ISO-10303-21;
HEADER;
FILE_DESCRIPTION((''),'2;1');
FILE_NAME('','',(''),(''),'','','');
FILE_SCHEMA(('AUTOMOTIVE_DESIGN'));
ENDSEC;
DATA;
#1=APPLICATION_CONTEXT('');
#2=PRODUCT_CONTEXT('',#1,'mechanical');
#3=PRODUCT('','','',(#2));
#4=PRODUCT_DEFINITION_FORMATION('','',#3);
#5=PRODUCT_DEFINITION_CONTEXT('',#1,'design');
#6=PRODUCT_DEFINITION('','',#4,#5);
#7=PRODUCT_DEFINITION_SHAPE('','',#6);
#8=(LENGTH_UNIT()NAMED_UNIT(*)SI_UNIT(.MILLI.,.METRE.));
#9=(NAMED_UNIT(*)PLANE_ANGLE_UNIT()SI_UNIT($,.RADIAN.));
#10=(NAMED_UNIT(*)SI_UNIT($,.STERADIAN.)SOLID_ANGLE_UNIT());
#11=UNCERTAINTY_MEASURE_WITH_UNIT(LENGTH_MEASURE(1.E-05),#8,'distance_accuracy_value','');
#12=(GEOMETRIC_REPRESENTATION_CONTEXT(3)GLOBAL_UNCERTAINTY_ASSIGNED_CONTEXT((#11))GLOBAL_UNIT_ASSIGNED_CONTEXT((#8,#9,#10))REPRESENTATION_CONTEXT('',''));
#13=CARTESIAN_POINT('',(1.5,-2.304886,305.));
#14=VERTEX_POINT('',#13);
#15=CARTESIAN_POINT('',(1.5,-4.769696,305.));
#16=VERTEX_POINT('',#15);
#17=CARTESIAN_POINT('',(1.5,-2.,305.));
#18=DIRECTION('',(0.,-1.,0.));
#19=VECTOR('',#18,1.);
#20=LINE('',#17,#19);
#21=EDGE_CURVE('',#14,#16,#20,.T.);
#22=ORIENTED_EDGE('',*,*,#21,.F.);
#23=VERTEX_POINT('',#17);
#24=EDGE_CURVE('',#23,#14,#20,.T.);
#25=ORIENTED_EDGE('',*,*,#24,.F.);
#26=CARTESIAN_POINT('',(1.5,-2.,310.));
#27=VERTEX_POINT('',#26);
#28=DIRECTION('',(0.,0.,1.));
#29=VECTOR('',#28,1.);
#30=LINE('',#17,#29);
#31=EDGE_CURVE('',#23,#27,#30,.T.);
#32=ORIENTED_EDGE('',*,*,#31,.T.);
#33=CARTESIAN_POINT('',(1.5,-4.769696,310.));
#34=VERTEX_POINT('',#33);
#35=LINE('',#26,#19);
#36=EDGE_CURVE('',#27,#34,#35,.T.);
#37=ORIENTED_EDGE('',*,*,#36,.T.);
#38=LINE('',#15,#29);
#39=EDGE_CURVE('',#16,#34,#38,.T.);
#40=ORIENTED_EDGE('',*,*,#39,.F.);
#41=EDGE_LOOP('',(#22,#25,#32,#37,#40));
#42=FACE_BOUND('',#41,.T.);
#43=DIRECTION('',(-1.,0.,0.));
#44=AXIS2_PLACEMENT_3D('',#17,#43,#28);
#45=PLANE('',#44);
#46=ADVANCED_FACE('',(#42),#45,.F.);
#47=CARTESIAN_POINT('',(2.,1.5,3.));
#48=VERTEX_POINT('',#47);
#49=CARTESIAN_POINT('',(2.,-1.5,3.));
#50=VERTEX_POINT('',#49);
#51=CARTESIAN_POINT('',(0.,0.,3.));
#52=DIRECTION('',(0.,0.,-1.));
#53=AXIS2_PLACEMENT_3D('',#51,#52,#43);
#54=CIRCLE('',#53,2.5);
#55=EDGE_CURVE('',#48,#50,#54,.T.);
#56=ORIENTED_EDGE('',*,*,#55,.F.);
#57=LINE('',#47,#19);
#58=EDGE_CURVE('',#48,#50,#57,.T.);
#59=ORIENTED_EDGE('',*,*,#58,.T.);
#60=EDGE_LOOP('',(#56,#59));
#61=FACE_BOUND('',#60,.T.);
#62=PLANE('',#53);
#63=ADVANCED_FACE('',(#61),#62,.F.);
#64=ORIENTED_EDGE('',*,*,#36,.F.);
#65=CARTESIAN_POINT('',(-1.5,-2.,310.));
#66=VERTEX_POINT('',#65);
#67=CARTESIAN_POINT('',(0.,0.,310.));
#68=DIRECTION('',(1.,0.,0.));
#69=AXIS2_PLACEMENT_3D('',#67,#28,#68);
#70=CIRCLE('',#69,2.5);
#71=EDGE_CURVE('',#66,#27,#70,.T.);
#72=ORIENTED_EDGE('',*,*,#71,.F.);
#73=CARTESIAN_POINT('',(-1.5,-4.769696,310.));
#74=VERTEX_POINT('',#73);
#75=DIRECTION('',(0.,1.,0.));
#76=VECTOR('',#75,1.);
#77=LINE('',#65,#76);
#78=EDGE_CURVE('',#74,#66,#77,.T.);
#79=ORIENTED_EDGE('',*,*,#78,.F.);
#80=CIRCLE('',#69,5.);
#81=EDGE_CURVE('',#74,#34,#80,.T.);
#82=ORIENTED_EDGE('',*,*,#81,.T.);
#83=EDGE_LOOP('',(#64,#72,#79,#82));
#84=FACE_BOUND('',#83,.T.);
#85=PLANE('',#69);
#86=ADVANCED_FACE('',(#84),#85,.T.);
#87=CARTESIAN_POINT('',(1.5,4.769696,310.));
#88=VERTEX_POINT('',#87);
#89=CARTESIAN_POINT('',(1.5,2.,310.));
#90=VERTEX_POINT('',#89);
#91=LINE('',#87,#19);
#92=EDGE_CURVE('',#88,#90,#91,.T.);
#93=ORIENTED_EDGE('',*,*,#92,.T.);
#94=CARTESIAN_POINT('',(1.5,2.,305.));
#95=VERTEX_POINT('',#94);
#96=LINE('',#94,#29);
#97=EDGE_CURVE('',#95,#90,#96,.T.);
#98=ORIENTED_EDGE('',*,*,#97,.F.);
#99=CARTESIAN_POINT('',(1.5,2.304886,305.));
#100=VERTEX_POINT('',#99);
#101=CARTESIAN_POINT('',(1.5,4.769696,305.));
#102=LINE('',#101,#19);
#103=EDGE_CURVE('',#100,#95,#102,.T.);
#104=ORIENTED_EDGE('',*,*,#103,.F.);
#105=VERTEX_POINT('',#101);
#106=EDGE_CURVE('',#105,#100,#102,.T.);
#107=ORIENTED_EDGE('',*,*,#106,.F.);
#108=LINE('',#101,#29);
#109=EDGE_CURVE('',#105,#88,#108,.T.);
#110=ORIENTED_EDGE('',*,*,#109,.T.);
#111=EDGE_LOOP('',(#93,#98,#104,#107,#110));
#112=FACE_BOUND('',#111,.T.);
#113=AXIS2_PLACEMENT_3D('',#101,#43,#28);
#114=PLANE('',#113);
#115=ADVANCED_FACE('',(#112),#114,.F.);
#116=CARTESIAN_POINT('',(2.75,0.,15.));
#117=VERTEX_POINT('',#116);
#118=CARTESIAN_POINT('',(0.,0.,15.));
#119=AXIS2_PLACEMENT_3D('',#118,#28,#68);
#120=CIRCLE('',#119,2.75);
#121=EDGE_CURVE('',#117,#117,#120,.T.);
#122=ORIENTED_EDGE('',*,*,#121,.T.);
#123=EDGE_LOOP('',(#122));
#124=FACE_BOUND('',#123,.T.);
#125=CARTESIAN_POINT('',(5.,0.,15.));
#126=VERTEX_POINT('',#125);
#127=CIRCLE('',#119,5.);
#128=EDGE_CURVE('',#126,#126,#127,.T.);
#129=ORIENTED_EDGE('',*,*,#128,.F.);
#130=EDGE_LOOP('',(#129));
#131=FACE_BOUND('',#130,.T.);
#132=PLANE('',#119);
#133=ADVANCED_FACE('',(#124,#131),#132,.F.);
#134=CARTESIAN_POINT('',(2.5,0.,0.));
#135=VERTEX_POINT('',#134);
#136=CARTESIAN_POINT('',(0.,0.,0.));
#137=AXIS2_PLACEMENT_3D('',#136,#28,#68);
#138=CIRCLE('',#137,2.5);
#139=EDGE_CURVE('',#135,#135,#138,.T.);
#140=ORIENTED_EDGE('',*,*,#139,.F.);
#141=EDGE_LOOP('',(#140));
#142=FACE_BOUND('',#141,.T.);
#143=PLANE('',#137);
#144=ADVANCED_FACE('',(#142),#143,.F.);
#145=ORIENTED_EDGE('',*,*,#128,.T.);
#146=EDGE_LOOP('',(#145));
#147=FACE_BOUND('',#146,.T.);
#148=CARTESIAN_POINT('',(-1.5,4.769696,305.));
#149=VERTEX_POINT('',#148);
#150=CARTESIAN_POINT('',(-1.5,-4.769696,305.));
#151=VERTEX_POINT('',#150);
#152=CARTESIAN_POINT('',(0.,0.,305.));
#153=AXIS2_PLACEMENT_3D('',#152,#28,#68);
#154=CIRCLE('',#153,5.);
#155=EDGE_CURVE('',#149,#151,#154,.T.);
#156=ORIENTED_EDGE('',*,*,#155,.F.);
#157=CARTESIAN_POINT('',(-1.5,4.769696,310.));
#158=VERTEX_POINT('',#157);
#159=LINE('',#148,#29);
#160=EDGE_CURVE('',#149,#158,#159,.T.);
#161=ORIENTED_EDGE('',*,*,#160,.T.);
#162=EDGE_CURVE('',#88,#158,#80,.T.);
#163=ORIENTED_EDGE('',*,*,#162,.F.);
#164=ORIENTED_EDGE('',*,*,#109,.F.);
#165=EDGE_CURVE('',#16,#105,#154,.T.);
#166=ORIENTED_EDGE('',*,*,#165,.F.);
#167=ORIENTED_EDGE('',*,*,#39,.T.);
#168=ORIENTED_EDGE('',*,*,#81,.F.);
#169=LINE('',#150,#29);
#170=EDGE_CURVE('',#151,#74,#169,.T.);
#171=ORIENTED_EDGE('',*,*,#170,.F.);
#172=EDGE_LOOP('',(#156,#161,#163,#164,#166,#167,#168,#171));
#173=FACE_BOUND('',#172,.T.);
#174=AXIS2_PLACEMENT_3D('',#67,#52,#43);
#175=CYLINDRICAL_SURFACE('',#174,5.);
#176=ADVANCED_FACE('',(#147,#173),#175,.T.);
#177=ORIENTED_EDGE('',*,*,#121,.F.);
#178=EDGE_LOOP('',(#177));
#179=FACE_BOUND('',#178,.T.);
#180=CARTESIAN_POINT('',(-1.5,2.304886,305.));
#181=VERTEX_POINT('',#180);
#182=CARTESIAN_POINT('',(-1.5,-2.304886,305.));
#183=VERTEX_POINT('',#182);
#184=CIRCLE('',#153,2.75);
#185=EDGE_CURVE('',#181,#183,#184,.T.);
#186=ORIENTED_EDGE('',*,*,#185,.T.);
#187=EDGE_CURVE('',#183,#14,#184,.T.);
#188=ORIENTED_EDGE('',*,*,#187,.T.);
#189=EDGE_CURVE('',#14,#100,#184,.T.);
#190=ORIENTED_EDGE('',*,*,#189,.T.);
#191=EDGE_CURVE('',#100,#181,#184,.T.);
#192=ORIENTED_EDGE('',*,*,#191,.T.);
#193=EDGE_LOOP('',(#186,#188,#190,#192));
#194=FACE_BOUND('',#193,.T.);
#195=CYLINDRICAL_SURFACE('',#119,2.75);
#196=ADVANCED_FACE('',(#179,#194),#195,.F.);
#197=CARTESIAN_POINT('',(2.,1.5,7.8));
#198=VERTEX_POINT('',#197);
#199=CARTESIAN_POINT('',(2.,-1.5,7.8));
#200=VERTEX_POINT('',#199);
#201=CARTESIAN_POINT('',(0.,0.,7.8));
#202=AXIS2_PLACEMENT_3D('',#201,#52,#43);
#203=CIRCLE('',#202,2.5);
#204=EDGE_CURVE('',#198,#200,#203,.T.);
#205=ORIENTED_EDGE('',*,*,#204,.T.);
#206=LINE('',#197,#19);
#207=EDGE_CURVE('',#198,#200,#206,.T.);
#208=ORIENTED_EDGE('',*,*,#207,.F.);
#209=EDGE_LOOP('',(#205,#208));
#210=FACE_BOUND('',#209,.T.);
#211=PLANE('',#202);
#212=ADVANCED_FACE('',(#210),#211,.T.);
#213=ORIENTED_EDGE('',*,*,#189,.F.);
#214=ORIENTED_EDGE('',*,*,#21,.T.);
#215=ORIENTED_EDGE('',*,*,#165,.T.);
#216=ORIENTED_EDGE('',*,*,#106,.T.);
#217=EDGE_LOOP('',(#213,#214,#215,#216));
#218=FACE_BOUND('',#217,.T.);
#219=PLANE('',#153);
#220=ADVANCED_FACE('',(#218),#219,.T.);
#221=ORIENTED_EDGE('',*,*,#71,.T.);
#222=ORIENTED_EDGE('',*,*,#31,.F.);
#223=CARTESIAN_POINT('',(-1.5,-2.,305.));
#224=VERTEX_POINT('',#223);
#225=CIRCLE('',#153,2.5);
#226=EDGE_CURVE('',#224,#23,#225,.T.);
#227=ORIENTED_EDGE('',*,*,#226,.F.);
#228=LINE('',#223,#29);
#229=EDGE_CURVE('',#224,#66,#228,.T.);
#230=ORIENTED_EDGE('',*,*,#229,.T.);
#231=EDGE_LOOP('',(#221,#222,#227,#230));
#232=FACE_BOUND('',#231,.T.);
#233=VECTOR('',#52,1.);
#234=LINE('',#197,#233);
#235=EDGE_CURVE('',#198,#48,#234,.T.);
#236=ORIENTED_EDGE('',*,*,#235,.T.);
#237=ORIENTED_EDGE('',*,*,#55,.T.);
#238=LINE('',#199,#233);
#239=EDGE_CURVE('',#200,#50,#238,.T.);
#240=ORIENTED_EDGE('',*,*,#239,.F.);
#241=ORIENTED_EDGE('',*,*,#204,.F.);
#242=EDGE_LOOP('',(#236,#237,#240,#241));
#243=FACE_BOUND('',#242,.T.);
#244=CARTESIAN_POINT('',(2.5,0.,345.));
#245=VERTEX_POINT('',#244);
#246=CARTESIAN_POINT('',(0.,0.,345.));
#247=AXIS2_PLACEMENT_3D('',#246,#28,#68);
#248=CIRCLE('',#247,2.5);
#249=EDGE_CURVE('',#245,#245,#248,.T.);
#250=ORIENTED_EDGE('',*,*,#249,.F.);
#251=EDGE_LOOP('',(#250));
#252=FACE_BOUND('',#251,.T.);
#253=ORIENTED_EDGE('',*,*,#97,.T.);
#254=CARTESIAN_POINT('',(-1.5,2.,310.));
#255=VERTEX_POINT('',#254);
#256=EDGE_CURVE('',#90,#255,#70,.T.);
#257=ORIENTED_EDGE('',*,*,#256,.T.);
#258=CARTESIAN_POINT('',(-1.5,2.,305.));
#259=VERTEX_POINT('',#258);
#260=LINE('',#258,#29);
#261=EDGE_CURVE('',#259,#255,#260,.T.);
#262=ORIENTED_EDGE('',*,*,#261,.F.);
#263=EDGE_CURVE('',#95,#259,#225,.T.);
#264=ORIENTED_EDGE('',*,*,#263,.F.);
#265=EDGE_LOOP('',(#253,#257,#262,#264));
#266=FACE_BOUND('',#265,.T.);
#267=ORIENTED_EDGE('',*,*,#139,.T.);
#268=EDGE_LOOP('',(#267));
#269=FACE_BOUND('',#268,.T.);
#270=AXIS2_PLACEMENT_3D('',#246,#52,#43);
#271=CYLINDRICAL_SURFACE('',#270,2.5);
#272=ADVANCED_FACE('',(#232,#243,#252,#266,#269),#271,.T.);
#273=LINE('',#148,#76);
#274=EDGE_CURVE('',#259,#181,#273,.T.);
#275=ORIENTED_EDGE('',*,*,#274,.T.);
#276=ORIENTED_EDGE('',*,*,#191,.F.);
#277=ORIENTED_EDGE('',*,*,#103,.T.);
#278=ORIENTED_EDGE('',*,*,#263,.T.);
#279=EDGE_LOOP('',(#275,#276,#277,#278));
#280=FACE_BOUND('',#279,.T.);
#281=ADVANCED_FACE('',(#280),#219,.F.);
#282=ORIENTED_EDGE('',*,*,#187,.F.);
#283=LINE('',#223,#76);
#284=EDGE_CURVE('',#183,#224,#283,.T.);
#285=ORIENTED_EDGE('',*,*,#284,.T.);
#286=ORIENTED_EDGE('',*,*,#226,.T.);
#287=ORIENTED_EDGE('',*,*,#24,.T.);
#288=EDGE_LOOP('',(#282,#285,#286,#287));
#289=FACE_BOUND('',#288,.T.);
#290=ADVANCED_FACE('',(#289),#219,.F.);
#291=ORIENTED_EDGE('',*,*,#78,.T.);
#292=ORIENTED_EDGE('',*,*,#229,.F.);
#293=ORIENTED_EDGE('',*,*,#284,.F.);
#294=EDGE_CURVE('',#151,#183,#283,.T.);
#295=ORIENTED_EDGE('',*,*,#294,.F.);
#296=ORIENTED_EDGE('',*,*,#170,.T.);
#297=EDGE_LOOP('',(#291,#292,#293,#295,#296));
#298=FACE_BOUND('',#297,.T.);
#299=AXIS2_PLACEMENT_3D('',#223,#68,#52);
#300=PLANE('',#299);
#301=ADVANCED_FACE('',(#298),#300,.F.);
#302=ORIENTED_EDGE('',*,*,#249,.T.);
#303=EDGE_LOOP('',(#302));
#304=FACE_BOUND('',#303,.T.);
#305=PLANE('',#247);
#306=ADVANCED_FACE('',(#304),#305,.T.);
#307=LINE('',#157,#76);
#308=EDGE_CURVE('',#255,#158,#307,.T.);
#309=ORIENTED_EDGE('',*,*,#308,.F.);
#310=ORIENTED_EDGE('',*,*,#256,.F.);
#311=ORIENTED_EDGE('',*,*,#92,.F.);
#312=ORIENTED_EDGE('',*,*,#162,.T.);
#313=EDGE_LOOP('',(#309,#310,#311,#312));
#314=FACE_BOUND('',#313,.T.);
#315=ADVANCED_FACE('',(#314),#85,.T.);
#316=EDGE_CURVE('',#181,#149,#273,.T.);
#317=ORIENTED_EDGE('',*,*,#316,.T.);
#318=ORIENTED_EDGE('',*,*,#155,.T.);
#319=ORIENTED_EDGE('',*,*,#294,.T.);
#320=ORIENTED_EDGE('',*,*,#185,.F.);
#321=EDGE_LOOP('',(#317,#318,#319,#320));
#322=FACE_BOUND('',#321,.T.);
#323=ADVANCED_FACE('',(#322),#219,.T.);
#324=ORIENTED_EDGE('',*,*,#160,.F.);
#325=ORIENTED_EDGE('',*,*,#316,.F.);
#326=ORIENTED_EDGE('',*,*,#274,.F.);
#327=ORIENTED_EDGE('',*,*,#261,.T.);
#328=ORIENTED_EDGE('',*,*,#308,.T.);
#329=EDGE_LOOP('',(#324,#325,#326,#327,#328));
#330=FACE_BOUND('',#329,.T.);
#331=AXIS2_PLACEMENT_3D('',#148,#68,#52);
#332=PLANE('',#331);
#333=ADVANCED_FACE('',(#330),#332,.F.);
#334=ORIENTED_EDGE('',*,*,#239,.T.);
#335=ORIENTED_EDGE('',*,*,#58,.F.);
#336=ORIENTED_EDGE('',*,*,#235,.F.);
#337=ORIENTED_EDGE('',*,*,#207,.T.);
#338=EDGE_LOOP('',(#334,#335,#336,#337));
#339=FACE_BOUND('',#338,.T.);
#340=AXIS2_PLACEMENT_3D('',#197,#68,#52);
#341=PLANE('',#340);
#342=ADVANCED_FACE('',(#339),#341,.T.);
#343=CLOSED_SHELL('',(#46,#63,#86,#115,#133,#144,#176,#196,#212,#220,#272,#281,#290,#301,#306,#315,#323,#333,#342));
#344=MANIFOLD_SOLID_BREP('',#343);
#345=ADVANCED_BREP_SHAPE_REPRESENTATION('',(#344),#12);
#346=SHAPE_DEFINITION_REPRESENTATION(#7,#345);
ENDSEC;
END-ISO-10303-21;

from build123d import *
from build123d.topology import SkipClean

# Parameters (mm, degrees)
SKETCH_1_R          = 2.5
EXTRUDE_1_DEPTH     = 345
CUT_EXTRUDE_1_DEPTH = 4.8
SKETCH_3_R          = 5
SKETCH_3_R_2        = 2.75
EXTRUDE_2_DEPTH     = 290
SKETCH_4_R          = 5
EXTRUDE_3_DEPTH     = 5
CUT_EXTRUDE_START   = -5
CUT_EXTRUDE_2_DEPTH = 5


with BuildPart() as part:
    # 草图1 → 凸台-拉伸1 (new body)
    with BuildSketch(Plane.XY):
        Circle(SKETCH_1_R)
    extrude(amount=EXTRUDE_1_DEPTH)

    # 草图2 → 切除-拉伸1 (cut)
    with BuildSketch(Plane(origin=(0, 0, 3), x_dir=(-1, 0, 0), z_dir=(0, 0, -1))):
        with BuildLine():
            Line((-2, 1.5), (-2, -1.5))
            ThreePointArc((-2, -1.5), (-2.5, 0), (-2, 1.5))
        make_face()
    extrude(amount=-CUT_EXTRUDE_1_DEPTH, mode=Mode.SUBTRACT)



with BuildPart() as body_2:
    # 草图3 → 凸台-拉伸2 (new body)
    with BuildSketch(Plane.XY.offset(305)):
        Circle(SKETCH_3_R)
        Circle(SKETCH_3_R_2, mode=Mode.SUBTRACT)
    extrude(amount=-EXTRUDE_2_DEPTH)


with BuildPart() as part_1:
    add(part.part)

    add(body_2.part)  # 凸台-拉伸3 merges body 2
    # 草图4 → 凸台-拉伸3 (add)
    with BuildSketch(Plane.XY.offset(305)):
        Circle(SKETCH_4_R)
    extrude(amount=EXTRUDE_3_DEPTH)

    # 草图5 → 切除-拉伸2 (cut)
    with SkipClean():  # the faces are left unmerged after this step: merging them gives an invalid solid
        with BuildSketch(Plane.XY.offset(310).offset(CUT_EXTRUDE_START)):
            with BuildLine():
                Line((-1.5, 4.769696007), (-1.5, 2))
                ThreePointArc((-1.5, 2), (-2.5, 0), (-1.5, -2))
                Line((-1.5, -2), (-1.5, -4.769696007))
                ThreePointArc((-1.5, -4.769696007), (-5, 0), (-1.5, 4.769696007))
            make_face()
            with BuildLine():
                Line((1.5, 4.769696007), (1.5, 2))
                ThreePointArc((1.5, 2), (2.5, 0), (1.5, -2))
                Line((1.5, -2), (1.5, -4.769696007))
                ThreePointArc((1.5, -4.769696007), (5, 0), (1.5, 4.769696007))
            make_face()
        extrude(amount=CUT_EXTRUDE_2_DEPTH, mode=Mode.SUBTRACT)


solid = part_1.part
